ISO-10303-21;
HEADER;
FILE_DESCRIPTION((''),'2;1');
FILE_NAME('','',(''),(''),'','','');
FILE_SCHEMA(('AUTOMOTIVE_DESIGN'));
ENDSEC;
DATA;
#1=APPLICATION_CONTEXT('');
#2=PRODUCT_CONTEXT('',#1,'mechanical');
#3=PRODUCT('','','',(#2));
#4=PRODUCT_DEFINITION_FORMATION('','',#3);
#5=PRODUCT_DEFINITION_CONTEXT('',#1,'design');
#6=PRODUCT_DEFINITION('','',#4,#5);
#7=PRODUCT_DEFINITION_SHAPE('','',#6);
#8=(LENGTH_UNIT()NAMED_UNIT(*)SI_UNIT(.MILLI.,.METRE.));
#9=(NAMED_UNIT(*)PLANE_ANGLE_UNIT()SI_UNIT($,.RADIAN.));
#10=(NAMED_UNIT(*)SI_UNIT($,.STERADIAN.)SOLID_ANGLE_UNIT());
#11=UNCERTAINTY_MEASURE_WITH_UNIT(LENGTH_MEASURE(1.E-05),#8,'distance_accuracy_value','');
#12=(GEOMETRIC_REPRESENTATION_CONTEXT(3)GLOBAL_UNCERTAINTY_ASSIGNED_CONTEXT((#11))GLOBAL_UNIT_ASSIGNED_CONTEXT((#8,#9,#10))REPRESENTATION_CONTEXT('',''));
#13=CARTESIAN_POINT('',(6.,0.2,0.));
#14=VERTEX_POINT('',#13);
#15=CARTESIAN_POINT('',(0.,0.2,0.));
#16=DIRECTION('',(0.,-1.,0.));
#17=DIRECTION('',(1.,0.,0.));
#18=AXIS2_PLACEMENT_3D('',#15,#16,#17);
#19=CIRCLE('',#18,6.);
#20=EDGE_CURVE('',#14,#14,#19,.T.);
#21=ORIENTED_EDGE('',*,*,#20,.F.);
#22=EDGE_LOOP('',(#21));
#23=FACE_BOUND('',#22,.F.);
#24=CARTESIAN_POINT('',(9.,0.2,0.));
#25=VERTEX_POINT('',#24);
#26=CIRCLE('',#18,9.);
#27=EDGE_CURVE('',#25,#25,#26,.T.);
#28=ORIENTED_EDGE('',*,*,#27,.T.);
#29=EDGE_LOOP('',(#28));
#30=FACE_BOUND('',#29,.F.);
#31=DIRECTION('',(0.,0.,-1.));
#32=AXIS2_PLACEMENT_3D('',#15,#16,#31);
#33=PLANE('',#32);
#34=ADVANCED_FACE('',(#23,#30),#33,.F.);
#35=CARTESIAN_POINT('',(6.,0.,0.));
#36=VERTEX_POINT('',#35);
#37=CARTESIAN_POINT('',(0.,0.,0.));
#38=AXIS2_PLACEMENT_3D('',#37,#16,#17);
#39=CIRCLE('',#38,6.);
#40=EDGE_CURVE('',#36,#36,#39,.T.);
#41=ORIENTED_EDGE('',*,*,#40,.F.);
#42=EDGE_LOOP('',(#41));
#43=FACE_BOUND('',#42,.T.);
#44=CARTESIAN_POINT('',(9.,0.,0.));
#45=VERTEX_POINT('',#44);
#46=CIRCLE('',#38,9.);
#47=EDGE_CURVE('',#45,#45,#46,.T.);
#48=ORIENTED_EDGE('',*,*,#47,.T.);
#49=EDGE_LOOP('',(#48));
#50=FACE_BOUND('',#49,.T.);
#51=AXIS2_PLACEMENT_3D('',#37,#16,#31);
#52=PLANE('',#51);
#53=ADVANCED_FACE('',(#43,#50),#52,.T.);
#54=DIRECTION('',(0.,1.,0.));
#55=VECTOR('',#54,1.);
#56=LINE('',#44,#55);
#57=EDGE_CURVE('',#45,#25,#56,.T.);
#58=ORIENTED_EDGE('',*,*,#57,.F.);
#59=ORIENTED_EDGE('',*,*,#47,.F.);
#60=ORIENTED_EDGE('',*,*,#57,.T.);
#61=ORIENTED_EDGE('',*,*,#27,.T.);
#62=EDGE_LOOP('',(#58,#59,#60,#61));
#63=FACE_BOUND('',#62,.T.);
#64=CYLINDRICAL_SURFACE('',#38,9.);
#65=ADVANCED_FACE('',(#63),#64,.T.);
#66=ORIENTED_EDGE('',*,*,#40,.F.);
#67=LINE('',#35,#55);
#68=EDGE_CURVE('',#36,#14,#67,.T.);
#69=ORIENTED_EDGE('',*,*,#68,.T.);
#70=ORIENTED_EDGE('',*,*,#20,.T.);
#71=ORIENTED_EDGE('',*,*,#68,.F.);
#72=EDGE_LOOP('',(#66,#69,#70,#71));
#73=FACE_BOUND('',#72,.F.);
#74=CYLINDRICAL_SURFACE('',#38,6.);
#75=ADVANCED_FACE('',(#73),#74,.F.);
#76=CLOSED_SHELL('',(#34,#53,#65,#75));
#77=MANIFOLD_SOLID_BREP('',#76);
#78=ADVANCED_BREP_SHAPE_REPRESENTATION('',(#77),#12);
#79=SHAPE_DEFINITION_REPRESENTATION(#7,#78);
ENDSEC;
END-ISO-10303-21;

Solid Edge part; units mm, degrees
sketch "Sketch1" plane through (0, 0, 0) normal (0, -1, 0) x (1, 0, 0)
  circle A0 centre (0, 0) radius 9
  circle A1 centre (0, 0) radius 6
  dimension "D1" = 18
  dimension "D2" = 12
extrude "Protrusion1" add sketch "Sketch1" against normal blind 0.2
properties material "PVC"
